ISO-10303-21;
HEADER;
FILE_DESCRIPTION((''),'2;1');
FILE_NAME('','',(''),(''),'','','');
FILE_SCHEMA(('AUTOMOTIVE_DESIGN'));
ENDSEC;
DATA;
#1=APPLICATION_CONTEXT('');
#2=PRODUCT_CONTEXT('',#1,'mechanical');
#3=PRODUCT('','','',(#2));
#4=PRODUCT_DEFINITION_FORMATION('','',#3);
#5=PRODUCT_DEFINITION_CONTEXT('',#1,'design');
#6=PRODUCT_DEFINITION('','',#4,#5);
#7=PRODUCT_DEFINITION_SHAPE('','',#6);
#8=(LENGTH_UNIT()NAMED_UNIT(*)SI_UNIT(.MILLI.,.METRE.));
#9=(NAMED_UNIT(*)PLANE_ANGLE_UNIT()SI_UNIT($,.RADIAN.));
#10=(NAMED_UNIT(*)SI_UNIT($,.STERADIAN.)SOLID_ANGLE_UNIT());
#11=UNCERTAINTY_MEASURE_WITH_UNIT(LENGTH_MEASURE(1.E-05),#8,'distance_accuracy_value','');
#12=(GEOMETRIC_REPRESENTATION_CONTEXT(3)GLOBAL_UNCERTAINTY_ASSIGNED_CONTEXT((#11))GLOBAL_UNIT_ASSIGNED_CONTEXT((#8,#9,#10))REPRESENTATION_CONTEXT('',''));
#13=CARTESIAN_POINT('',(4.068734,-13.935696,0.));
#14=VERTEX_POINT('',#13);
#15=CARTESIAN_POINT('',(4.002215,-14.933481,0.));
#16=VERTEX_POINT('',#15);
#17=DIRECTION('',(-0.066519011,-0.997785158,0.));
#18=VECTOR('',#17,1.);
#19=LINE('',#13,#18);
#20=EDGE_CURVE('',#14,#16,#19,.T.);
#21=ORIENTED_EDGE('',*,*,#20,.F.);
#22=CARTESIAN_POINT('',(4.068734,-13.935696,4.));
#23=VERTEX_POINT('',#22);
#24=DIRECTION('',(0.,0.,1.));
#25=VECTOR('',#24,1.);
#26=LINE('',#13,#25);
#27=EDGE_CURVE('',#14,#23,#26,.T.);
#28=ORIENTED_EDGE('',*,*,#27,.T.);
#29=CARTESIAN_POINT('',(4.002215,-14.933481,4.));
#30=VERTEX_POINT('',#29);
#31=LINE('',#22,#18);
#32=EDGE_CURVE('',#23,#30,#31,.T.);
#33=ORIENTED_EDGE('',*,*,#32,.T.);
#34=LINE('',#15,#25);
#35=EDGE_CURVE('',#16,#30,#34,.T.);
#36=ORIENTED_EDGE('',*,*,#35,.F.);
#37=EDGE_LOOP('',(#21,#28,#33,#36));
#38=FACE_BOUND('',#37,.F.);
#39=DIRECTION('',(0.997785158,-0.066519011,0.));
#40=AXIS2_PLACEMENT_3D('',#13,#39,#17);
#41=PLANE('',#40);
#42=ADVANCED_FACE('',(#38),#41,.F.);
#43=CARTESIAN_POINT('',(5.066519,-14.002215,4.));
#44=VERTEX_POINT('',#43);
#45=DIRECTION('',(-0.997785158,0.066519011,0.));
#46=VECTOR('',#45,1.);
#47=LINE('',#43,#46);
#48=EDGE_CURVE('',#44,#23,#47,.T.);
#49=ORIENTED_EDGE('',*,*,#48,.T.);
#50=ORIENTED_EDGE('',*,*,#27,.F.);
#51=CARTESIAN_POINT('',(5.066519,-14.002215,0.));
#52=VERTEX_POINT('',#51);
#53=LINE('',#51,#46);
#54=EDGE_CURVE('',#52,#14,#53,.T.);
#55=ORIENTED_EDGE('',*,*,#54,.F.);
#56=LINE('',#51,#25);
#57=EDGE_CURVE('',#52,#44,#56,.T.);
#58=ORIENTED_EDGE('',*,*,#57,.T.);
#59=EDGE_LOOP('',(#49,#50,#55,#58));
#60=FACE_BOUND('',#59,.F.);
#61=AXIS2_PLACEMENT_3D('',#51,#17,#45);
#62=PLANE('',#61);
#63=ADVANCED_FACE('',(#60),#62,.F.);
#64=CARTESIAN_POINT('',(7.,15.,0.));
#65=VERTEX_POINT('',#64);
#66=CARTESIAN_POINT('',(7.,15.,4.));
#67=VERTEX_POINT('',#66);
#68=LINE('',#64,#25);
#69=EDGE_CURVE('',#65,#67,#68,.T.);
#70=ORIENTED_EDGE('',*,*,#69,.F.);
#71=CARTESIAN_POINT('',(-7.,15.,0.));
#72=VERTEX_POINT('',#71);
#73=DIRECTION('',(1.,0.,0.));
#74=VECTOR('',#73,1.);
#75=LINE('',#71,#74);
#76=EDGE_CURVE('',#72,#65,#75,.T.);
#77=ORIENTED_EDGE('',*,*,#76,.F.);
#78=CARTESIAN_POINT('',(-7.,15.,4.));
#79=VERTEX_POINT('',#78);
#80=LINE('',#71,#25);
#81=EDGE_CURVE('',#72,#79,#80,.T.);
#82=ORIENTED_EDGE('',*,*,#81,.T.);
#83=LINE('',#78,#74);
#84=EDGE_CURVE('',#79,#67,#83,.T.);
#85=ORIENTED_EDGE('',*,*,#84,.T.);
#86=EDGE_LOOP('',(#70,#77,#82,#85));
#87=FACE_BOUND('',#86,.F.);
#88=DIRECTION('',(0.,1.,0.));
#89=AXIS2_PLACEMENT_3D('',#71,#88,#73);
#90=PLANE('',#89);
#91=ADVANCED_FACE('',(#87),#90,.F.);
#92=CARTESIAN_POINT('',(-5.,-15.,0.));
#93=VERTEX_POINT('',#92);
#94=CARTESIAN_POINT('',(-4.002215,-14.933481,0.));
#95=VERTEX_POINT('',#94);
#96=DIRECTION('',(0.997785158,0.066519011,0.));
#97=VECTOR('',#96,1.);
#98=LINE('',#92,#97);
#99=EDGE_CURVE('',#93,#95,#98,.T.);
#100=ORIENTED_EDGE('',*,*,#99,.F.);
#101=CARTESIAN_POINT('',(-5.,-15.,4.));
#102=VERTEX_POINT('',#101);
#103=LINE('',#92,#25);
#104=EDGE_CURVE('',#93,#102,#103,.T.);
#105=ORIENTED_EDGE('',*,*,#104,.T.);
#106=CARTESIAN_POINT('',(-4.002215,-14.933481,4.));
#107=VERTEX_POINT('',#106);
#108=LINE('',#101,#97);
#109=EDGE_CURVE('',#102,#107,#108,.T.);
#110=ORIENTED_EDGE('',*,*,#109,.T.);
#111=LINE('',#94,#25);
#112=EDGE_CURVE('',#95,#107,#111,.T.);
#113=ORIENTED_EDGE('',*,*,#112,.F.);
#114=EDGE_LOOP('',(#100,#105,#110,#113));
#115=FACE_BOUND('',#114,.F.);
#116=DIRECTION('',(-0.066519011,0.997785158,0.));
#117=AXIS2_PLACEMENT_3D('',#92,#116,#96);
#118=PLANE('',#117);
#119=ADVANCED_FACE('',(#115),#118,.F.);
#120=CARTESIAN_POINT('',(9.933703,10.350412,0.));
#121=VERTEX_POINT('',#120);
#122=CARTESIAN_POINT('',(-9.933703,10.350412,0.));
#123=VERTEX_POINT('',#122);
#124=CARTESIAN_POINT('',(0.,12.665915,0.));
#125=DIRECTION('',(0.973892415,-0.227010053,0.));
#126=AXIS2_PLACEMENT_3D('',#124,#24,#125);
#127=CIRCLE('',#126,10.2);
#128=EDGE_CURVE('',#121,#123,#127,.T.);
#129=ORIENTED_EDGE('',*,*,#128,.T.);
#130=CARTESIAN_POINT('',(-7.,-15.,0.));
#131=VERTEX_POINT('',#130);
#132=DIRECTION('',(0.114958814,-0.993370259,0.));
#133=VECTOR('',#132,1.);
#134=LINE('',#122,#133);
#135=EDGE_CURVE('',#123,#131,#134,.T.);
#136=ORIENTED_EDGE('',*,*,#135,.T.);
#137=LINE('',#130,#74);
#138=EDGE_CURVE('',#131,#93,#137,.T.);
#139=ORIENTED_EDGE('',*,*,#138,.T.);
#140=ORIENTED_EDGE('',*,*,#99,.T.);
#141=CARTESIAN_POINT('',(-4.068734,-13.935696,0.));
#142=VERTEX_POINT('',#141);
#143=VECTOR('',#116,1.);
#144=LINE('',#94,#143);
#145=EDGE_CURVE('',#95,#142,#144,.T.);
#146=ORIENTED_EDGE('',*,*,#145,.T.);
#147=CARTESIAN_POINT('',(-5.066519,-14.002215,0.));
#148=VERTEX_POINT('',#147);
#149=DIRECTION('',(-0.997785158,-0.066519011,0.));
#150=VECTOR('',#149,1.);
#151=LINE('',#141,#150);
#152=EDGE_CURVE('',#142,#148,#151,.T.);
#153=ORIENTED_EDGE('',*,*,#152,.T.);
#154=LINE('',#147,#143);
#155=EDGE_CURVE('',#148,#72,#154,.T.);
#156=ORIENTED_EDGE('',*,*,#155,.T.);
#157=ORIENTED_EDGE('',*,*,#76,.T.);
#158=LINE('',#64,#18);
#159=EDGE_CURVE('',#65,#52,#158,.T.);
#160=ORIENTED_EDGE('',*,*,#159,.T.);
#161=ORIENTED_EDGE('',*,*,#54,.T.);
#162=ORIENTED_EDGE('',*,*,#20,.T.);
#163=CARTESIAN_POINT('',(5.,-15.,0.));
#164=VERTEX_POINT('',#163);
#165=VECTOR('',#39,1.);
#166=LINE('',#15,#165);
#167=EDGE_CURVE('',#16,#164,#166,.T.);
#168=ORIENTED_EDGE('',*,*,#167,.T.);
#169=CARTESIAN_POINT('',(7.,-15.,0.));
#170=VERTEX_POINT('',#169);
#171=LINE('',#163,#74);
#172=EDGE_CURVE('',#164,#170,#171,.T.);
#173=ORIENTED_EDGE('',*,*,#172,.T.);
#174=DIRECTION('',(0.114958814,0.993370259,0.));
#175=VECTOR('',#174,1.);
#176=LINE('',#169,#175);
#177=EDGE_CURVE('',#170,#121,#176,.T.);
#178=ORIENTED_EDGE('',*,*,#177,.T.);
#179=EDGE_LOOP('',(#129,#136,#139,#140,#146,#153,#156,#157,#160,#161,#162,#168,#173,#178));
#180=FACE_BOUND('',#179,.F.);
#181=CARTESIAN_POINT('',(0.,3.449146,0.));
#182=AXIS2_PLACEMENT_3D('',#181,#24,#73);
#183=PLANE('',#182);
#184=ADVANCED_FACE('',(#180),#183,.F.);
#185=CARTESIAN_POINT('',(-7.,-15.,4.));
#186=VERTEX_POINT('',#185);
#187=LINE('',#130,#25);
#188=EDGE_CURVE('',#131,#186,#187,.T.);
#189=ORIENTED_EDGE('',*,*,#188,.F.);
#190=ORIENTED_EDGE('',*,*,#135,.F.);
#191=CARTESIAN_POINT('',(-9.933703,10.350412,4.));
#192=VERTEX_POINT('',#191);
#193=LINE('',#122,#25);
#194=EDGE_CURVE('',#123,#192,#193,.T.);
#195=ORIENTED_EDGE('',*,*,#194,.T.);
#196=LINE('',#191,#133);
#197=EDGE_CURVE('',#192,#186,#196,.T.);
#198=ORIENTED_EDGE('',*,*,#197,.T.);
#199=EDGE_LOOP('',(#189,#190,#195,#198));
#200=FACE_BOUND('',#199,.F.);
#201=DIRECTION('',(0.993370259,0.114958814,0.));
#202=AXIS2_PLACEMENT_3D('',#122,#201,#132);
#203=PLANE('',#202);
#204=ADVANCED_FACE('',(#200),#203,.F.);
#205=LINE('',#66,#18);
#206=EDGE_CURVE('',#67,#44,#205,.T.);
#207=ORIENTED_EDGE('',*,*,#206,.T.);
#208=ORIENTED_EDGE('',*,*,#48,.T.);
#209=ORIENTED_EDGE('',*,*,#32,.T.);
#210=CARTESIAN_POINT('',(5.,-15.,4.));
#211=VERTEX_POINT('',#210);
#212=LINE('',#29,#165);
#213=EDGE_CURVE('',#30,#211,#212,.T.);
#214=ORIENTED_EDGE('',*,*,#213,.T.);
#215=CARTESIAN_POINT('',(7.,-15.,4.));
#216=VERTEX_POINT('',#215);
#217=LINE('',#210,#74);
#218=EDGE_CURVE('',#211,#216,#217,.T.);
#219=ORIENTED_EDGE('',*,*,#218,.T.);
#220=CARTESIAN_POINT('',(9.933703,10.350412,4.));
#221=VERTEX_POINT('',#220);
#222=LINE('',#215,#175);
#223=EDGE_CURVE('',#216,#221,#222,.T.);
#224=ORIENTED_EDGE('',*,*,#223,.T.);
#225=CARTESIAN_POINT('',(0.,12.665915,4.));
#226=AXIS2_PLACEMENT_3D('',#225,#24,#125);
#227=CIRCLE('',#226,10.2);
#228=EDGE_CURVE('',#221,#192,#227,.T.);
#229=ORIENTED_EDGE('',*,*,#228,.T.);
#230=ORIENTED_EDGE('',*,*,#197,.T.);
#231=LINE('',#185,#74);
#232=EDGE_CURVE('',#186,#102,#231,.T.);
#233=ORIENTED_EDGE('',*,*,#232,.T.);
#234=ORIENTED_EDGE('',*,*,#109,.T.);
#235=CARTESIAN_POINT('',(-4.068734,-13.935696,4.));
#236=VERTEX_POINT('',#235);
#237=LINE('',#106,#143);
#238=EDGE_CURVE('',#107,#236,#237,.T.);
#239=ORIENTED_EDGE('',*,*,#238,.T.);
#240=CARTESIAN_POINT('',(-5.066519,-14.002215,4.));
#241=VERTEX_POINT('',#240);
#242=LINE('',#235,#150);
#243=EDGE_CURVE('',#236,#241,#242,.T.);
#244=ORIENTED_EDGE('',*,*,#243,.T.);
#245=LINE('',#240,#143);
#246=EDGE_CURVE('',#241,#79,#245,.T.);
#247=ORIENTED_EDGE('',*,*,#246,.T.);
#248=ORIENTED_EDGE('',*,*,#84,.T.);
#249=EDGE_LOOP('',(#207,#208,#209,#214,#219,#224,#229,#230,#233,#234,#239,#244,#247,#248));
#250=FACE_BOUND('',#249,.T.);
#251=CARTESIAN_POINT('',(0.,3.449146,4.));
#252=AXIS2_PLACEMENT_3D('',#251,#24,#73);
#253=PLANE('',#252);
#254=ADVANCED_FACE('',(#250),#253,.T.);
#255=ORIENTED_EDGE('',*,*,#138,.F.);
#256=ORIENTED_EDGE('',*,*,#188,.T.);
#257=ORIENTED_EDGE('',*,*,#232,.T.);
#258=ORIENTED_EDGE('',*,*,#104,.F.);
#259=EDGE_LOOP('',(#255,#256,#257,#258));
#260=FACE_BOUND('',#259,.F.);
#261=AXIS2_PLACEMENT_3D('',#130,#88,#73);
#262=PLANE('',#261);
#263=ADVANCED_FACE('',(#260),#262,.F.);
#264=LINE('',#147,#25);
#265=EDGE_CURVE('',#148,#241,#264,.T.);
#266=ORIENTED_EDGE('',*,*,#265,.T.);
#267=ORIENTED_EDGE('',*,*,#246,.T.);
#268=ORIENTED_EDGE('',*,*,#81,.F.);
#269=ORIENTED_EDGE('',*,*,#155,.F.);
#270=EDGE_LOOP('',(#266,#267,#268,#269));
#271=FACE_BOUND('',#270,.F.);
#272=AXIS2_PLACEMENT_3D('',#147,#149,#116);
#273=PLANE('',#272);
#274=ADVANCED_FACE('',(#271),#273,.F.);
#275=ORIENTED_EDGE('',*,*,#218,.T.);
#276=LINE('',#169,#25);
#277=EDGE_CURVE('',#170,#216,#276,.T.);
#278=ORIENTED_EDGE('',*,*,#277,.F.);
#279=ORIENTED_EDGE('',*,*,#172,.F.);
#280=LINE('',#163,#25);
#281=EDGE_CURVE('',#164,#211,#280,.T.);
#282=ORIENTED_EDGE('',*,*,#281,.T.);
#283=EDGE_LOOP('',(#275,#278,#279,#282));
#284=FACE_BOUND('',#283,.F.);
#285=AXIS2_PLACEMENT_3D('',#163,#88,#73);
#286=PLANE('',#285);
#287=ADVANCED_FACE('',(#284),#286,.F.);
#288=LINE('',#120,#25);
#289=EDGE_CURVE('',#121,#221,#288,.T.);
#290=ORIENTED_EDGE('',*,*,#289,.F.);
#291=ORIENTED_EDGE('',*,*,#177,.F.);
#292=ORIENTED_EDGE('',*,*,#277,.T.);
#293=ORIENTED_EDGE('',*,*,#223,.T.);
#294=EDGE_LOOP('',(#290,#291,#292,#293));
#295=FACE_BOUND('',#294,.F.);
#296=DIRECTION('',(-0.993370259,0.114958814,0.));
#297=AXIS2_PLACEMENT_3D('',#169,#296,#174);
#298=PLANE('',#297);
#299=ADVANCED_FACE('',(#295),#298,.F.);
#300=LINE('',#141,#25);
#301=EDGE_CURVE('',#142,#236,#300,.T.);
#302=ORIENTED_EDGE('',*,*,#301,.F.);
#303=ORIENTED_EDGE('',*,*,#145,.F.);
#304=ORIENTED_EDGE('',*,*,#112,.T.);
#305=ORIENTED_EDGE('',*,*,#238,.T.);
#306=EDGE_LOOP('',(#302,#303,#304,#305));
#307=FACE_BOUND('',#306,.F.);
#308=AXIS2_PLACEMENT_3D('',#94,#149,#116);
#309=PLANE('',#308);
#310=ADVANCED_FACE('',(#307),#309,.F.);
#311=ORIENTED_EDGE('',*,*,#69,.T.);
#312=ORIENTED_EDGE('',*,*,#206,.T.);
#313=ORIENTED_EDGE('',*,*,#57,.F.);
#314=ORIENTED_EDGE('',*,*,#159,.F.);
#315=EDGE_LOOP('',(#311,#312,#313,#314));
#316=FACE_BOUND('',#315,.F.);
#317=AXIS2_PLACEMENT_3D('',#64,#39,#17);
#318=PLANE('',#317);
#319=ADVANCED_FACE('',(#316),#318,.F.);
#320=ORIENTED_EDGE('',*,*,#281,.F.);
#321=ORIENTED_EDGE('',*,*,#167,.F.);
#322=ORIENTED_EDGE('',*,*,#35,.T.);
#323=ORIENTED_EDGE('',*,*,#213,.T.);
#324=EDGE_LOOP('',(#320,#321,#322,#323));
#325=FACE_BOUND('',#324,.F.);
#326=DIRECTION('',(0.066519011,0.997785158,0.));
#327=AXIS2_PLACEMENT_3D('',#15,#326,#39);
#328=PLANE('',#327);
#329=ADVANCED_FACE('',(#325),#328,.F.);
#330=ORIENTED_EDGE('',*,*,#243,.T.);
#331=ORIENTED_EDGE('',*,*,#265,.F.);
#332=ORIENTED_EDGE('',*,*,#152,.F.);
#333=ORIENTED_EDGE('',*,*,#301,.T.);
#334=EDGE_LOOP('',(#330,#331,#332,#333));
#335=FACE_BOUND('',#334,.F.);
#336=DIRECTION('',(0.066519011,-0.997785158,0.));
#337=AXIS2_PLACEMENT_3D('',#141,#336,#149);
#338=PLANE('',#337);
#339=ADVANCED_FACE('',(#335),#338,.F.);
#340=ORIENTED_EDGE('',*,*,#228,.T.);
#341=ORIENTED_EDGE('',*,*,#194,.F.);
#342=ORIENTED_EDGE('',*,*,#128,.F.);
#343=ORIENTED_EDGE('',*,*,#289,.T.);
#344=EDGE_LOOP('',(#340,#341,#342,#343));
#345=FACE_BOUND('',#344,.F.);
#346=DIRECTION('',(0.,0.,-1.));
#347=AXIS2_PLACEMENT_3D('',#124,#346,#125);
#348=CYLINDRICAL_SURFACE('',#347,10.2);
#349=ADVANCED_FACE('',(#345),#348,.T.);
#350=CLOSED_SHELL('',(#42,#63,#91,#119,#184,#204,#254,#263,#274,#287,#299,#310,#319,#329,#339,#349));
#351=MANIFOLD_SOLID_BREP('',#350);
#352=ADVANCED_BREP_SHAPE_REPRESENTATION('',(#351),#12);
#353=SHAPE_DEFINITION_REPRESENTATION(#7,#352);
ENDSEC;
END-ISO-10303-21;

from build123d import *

# Parameters (mm, degrees)
F1_DEPTH = 4


with BuildPart() as f1:
    # F0 (on Top) → F1 (new body)
    with BuildSketch(Plane.XY):
        with BuildLine():
            Line((-5.066519, -14.002215), (-7, 15))
            Line((-7, 15), (7, 15))
            Line((7, 15), (5.066519, -14.002215))
            Line((5.066519, -14.002215), (4.068734, -13.935696))
            Line((4.068734, -13.935696), (4.002215, -14.933481))
            Line((4.002215, -14.933481), (5, -15))
            Line((5, -15), (7, -15))
            Line((7, -15), (9.933703, 10.350412))
            ThreePointArc((9.933703, 10.350412), (0, 22.865915), (-9.933703, 10.350412))
            Line((-9.933703, 10.350412), (-7, -15))
            Line((-7, -15), (-5, -15))
            Line((-5, -15), (-4.002215, -14.933481))
            Line((-4.002215, -14.933481), (-4.068734, -13.935696))
            Line((-4.068734, -13.935696), (-5.066519, -14.002215))
        make_face()
    extrude(amount=F1_DEPTH)


solid = f1.part
